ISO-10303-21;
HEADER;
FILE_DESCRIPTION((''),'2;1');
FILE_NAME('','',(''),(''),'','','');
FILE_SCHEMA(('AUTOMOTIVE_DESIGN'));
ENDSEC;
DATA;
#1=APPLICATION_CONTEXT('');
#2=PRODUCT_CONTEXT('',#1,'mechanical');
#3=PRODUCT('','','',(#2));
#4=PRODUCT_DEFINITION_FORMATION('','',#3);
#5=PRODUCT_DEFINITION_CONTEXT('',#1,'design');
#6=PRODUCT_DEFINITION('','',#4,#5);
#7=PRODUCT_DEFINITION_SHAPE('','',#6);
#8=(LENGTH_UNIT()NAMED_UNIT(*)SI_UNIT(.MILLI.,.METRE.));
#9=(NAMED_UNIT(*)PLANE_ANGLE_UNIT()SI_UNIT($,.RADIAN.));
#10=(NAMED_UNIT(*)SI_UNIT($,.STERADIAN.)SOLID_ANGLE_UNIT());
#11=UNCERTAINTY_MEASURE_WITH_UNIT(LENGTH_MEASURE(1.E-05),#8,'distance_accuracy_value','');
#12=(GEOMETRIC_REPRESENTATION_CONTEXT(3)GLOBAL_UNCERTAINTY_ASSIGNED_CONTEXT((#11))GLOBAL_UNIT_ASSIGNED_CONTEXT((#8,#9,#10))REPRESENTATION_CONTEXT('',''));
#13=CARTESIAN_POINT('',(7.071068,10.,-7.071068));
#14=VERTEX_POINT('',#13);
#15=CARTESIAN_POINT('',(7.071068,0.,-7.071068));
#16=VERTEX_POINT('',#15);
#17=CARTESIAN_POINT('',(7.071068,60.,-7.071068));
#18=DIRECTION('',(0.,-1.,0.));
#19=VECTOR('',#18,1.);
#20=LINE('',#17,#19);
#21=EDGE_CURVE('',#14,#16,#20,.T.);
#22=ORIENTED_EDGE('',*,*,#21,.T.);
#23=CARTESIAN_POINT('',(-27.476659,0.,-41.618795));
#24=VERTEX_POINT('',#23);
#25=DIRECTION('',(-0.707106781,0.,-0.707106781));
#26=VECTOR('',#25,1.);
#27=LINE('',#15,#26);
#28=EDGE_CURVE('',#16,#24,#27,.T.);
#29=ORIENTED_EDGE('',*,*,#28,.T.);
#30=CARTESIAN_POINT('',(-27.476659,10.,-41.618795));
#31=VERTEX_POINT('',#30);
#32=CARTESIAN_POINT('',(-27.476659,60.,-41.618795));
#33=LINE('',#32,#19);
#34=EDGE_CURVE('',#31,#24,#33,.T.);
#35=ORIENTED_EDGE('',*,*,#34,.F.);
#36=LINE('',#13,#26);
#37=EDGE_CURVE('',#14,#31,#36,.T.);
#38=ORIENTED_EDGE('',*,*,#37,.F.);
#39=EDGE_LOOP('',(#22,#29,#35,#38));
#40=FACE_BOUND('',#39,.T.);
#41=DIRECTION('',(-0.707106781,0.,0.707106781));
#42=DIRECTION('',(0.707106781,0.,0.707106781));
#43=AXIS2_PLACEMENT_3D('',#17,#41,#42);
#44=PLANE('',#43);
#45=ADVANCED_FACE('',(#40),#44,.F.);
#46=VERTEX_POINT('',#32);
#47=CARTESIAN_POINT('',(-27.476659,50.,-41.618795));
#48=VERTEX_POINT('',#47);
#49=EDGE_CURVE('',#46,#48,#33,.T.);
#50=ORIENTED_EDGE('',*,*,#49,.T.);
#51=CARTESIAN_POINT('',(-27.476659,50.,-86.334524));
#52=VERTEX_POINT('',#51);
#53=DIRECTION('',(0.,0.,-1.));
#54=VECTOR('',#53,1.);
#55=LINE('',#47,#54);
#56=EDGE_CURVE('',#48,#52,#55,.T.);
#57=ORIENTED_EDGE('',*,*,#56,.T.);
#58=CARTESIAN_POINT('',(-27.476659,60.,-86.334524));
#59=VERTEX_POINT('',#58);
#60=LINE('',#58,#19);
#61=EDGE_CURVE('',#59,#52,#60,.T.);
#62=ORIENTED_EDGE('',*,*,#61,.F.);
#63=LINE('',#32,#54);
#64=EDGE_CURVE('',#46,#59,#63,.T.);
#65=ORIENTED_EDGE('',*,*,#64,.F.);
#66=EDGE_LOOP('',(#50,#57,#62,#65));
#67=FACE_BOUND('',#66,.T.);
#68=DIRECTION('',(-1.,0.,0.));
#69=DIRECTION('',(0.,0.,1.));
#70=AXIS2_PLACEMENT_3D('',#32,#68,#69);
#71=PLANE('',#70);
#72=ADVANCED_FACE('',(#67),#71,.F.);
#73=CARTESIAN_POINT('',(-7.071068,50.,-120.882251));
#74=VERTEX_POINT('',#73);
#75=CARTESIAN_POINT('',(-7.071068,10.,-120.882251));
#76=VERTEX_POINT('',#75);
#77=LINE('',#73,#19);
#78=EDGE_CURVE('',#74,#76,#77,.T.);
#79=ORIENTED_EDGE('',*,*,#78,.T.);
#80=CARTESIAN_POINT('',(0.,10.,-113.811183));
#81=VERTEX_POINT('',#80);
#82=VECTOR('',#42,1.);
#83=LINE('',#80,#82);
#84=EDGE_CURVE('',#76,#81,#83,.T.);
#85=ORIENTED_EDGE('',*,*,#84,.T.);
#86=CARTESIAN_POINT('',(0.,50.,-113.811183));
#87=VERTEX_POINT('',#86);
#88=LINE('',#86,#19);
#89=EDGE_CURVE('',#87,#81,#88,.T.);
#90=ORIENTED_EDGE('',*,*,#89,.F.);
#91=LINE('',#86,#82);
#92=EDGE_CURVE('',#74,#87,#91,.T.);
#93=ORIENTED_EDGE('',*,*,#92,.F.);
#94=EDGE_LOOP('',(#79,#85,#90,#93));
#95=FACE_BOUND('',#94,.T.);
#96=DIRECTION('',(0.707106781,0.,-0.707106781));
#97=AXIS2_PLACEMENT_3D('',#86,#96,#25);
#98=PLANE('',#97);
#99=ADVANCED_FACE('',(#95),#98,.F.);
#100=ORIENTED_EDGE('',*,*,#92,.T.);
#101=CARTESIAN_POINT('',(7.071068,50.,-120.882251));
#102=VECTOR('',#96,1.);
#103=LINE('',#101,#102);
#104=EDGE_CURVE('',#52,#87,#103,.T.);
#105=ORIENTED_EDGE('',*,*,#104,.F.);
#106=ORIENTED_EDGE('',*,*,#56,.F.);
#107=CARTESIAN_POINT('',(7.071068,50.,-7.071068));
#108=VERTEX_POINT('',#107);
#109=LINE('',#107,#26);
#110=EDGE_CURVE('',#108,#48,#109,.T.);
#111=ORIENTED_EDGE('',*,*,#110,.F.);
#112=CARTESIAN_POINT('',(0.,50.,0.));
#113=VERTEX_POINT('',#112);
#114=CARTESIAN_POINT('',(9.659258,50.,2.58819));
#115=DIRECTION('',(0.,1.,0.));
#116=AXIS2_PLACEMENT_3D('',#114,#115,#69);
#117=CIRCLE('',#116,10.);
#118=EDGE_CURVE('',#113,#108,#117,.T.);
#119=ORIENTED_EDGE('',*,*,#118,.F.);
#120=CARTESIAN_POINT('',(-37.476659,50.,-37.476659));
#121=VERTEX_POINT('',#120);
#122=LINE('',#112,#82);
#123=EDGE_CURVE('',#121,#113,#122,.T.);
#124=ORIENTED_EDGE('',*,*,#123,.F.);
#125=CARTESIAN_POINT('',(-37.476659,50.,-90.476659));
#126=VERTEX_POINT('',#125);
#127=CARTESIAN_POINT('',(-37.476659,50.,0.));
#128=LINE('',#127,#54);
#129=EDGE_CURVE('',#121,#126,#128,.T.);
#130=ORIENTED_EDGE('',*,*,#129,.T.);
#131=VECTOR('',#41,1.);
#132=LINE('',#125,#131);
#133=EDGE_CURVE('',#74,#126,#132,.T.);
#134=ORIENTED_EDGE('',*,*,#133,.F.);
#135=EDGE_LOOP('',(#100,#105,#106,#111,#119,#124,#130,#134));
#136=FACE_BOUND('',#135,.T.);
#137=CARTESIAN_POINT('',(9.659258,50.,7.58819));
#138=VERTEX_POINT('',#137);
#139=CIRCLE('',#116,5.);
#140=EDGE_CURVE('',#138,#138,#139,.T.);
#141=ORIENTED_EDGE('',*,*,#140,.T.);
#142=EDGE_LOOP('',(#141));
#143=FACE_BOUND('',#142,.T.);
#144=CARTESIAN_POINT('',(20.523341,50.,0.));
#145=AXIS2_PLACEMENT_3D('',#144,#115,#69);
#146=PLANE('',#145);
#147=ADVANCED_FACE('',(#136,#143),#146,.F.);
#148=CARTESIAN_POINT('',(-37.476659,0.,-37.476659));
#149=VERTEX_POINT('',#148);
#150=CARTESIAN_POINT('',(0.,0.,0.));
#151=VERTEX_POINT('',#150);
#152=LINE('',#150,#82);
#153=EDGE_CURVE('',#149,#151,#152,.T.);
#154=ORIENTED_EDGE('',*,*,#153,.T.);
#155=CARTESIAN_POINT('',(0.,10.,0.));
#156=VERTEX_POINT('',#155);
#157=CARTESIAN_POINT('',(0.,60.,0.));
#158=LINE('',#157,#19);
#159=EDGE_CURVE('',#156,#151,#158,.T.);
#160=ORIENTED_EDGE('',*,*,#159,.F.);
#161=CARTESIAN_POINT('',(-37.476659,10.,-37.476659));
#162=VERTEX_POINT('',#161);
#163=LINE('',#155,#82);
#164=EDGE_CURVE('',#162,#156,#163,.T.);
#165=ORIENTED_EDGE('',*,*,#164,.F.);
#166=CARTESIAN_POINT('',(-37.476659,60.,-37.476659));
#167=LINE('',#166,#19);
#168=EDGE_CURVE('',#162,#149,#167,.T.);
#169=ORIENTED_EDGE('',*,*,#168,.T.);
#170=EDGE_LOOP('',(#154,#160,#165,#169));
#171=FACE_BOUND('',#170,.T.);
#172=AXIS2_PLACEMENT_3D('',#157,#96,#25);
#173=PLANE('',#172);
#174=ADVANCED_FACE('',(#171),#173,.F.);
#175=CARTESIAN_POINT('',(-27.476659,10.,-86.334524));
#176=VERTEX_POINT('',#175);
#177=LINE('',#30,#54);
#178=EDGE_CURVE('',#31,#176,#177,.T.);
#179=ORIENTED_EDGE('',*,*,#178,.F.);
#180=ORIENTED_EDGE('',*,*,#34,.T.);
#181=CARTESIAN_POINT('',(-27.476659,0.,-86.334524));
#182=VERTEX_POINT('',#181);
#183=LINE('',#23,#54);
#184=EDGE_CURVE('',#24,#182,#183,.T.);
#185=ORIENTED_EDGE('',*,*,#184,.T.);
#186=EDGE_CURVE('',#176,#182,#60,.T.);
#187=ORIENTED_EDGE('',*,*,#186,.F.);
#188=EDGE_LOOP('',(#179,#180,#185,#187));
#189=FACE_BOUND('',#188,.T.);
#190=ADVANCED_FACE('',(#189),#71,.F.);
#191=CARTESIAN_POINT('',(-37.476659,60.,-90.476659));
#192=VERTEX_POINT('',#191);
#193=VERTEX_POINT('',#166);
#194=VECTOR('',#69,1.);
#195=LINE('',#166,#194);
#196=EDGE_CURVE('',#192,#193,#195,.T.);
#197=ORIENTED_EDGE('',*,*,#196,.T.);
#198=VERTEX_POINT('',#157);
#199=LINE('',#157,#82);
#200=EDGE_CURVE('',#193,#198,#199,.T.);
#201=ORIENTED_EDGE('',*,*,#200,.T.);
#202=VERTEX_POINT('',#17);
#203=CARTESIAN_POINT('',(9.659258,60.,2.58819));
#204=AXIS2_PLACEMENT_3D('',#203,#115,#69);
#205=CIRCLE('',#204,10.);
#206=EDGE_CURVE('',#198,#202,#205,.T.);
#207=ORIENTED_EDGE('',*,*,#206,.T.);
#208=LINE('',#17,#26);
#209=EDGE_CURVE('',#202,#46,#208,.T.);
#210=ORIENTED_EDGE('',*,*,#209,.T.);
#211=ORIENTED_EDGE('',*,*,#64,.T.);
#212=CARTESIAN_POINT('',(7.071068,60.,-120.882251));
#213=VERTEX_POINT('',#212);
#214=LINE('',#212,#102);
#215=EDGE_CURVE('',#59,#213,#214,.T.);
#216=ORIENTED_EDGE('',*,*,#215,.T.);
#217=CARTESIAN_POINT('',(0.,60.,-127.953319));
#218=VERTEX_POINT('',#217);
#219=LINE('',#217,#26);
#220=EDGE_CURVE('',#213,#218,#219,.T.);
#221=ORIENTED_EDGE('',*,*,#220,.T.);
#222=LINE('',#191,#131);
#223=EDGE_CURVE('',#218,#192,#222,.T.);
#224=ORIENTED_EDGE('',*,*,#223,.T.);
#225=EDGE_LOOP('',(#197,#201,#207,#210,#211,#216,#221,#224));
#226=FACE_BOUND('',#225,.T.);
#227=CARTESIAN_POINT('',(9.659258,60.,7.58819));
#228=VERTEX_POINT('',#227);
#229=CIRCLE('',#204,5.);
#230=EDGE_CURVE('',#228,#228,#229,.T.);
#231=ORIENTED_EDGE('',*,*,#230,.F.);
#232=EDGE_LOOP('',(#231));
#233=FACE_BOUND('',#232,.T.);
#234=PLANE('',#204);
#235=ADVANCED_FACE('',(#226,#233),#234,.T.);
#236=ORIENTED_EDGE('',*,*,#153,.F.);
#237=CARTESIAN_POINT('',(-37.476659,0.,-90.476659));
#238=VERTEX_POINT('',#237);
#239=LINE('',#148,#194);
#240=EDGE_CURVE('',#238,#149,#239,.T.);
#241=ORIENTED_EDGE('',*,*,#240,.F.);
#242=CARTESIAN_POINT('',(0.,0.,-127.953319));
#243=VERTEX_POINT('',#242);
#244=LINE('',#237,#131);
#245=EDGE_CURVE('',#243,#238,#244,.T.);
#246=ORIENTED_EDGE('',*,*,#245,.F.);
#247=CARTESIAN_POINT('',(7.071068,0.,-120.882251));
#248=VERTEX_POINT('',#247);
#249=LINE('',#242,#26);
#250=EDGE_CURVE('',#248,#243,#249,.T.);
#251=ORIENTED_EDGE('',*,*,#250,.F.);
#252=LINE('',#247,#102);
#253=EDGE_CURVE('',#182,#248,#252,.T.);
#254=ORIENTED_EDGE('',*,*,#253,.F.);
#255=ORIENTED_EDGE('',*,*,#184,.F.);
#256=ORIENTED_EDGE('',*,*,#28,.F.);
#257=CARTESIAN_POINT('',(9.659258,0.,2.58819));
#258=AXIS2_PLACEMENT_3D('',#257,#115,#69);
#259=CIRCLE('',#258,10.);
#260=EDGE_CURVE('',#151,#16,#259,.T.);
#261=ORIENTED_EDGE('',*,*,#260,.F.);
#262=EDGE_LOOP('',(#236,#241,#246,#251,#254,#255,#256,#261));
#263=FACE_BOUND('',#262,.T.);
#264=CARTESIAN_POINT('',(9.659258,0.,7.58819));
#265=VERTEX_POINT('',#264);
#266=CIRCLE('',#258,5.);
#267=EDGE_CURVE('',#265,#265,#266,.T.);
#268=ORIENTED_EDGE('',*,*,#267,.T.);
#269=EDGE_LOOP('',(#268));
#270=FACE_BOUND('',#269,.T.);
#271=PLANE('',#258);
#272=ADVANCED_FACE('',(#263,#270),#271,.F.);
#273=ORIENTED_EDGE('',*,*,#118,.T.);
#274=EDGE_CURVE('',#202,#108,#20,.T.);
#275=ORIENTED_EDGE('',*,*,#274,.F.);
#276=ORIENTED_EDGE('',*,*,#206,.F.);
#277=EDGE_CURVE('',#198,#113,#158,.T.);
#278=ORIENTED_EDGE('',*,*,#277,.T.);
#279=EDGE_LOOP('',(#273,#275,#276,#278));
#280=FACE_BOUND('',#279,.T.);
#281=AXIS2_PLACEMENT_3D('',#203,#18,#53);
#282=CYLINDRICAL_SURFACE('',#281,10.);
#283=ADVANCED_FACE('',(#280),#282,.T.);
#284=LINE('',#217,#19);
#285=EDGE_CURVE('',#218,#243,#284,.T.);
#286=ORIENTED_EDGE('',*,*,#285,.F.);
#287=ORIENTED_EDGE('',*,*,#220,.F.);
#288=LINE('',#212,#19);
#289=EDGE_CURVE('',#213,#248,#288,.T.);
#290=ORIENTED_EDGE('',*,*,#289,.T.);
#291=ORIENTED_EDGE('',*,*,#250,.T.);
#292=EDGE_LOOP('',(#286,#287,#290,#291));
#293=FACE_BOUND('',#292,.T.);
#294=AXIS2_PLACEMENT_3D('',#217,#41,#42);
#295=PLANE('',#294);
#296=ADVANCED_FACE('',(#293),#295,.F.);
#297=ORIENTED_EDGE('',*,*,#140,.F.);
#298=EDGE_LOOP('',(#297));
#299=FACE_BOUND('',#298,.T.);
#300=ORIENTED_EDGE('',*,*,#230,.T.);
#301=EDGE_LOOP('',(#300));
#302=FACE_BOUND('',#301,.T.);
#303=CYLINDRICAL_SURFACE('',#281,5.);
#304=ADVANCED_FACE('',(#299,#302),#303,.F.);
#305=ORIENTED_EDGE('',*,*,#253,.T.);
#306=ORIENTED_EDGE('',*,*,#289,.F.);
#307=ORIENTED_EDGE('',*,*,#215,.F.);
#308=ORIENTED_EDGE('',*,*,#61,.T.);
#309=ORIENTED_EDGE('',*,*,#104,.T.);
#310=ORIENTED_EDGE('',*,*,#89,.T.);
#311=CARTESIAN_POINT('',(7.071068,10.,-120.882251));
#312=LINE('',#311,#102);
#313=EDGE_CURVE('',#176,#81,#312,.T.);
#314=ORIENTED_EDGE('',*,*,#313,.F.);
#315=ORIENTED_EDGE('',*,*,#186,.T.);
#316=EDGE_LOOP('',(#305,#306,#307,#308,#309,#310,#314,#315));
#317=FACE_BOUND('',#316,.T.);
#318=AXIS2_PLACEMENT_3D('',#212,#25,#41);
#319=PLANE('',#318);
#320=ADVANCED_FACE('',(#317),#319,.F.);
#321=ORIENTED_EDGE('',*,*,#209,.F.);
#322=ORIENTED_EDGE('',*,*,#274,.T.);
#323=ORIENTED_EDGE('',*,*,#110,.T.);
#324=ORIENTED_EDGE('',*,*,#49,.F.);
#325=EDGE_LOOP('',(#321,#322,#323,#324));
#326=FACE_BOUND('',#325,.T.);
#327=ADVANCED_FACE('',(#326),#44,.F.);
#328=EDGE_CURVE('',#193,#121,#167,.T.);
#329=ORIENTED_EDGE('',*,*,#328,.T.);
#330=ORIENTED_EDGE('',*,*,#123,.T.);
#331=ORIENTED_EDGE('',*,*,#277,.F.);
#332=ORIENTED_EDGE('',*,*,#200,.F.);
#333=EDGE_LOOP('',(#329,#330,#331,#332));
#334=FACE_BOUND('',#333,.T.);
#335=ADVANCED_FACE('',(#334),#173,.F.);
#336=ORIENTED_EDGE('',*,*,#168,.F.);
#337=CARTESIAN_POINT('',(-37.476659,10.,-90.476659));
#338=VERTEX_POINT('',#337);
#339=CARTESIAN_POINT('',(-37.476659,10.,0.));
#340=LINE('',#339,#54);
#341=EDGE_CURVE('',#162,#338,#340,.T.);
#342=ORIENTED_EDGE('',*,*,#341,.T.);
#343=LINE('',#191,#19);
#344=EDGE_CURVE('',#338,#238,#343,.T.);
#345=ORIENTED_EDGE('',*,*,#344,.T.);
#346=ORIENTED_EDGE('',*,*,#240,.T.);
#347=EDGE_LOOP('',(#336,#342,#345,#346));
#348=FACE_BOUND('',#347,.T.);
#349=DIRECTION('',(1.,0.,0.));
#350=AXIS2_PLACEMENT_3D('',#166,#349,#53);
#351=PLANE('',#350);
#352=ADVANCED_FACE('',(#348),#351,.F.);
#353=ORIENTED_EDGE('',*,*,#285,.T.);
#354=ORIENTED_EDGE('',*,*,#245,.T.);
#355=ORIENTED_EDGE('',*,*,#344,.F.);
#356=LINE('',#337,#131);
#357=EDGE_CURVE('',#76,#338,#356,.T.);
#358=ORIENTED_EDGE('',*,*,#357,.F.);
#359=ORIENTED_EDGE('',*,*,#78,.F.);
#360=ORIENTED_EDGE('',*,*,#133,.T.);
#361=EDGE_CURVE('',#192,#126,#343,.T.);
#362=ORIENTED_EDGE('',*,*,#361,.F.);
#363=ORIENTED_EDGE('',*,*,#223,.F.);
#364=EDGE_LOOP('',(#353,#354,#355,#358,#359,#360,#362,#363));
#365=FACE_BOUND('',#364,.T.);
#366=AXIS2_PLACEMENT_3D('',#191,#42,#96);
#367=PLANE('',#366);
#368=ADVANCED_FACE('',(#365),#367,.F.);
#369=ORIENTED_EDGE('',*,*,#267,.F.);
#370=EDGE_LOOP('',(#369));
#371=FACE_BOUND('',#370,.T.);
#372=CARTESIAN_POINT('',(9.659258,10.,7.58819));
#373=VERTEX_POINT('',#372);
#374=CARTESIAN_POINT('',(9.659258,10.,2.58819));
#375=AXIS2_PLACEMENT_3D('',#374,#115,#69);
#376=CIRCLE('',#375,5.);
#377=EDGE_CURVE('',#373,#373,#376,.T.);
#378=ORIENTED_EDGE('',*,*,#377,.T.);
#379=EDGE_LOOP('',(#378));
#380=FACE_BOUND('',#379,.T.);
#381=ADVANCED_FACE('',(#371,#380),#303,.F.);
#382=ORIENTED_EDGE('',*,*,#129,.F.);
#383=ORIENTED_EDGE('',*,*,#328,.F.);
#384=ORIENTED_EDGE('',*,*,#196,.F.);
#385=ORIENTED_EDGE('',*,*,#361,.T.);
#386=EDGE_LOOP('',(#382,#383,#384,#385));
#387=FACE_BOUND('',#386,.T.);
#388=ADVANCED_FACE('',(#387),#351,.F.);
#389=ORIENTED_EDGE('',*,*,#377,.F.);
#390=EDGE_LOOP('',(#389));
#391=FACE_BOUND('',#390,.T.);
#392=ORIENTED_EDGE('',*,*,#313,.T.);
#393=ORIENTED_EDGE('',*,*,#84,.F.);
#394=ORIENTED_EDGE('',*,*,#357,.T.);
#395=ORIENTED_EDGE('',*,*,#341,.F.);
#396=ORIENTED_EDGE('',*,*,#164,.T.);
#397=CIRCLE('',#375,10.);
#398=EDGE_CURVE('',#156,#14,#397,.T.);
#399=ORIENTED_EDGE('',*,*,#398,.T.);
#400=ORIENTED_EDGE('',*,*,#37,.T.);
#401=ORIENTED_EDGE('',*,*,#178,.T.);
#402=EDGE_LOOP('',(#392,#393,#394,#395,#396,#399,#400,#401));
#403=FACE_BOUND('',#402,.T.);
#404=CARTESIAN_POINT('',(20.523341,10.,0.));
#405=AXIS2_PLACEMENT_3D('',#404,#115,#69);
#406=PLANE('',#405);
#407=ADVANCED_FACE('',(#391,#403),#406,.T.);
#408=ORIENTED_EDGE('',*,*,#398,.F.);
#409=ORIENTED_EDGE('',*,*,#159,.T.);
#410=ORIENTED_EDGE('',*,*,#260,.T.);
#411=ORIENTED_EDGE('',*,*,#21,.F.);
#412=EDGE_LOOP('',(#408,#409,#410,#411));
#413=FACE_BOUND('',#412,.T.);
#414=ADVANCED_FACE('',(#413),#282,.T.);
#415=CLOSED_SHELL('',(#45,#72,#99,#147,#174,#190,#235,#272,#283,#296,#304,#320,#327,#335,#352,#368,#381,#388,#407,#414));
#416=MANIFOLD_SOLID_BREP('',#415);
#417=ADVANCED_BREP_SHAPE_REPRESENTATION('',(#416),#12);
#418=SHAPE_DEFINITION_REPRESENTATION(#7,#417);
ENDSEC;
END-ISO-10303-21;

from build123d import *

# Parameters (mm, degrees)
SKETCH_1_R          = 5
EXTRUDE_1_DEPTH     = 60
SKETCH_3_W          = 37.476659403
SKETCH_3_H          = 40
SKETCH_3_W_2        = 53
SKETCH_3_W_3        = 50.064849854
CUT_EXTRUDE_1_DEPTH = 58
EXTRUDE_2_DEPTH     = 40


with BuildPart() as part:
    # 草图1 → 凸台-拉伸1 (new body)
    with BuildSketch(Plane(origin=(0, 0, 0), x_dir=(1, 0, 0), z_dir=(0, 1, 0))):
        with BuildLine():
            Line((0, 0), (-37.476659403, 37.476659403))
            Line((-37.476659403, 37.476659403), (-37.476659403, 90.476659403))
            Line((-37.476659403, 90.476659403), (0, 127.953318806))
            Line((0, 127.953318806), (7.071067812, 120.882250994))
            Line((7.071067812, 120.882250994), (-27.476659403, 86.334523779))
            Line((-27.476659403, 86.334523779), (-27.476659403, 41.618795027))
            Line((-27.476659403, 41.618795027), (7.071067812, 7.071067812))
            ThreePointArc((7.071067812, 7.071067812), (16.730326075, -9.659258263), (0, 0))
        make_face()
        with Locations(Location((9.659258263, -2.588190451, 0), (0, 0, 270))):
            Circle(SKETCH_1_R, mode=Mode.SUBTRACT)
    extrude(amount=EXTRUDE_1_DEPTH)

    # 草图3 → 切除-拉伸1 (cut)
    with BuildSketch(Plane.ZY.offset(37.476659403)):
        with Locations((-109.214989105, 30)):
            Rectangle(SKETCH_3_W, SKETCH_3_H)
        with Locations((-63.976659403, 30)):
            Rectangle(SKETCH_3_W_2, SKETCH_3_H)
        with Locations((-12.444234476, 30)):
            Rectangle(SKETCH_3_W_3, SKETCH_3_H)
    extrude(amount=-CUT_EXTRUDE_1_DEPTH, mode=Mode.SUBTRACT)


with BuildPart() as cut_extrude_1_piece_1:
    # of the separate pieces the step leaves, piece 1, a body of its own (cut_extrude_1_pieces)
    add(part.part.solids().sort_by_distance((7.071067812, 0, -7.071067812))[0])



with BuildPart() as cut_extrude_1_piece_2:
    # of the separate pieces the step leaves, piece 2, a body of its own (cut_extrude_1_pieces)
    add(part.part.solids().sort_by_distance((0, 50, 0))[0])


with BuildPart() as cut_extrude_1_piece_1_1:
    add(cut_extrude_1_piece_1.part)

    add(cut_extrude_1_piece_2.part)  # 凸台-拉伸2 merges 切除-拉伸1 piece 2
    # 草图4 → 凸台-拉伸2 (add)
    with BuildSketch(Plane(origin=(0, 10, 0), x_dir=(1, 0, 0), z_dir=(0, 1, 0))):
        Polygon((0, 127.953318806), (7.071067812, 120.882250994), (0, 113.811183182), (-7.071067812, 120.882250994), align=None)
    extrude(amount=EXTRUDE_2_DEPTH)


solid = cut_extrude_1_piece_1_1.part
